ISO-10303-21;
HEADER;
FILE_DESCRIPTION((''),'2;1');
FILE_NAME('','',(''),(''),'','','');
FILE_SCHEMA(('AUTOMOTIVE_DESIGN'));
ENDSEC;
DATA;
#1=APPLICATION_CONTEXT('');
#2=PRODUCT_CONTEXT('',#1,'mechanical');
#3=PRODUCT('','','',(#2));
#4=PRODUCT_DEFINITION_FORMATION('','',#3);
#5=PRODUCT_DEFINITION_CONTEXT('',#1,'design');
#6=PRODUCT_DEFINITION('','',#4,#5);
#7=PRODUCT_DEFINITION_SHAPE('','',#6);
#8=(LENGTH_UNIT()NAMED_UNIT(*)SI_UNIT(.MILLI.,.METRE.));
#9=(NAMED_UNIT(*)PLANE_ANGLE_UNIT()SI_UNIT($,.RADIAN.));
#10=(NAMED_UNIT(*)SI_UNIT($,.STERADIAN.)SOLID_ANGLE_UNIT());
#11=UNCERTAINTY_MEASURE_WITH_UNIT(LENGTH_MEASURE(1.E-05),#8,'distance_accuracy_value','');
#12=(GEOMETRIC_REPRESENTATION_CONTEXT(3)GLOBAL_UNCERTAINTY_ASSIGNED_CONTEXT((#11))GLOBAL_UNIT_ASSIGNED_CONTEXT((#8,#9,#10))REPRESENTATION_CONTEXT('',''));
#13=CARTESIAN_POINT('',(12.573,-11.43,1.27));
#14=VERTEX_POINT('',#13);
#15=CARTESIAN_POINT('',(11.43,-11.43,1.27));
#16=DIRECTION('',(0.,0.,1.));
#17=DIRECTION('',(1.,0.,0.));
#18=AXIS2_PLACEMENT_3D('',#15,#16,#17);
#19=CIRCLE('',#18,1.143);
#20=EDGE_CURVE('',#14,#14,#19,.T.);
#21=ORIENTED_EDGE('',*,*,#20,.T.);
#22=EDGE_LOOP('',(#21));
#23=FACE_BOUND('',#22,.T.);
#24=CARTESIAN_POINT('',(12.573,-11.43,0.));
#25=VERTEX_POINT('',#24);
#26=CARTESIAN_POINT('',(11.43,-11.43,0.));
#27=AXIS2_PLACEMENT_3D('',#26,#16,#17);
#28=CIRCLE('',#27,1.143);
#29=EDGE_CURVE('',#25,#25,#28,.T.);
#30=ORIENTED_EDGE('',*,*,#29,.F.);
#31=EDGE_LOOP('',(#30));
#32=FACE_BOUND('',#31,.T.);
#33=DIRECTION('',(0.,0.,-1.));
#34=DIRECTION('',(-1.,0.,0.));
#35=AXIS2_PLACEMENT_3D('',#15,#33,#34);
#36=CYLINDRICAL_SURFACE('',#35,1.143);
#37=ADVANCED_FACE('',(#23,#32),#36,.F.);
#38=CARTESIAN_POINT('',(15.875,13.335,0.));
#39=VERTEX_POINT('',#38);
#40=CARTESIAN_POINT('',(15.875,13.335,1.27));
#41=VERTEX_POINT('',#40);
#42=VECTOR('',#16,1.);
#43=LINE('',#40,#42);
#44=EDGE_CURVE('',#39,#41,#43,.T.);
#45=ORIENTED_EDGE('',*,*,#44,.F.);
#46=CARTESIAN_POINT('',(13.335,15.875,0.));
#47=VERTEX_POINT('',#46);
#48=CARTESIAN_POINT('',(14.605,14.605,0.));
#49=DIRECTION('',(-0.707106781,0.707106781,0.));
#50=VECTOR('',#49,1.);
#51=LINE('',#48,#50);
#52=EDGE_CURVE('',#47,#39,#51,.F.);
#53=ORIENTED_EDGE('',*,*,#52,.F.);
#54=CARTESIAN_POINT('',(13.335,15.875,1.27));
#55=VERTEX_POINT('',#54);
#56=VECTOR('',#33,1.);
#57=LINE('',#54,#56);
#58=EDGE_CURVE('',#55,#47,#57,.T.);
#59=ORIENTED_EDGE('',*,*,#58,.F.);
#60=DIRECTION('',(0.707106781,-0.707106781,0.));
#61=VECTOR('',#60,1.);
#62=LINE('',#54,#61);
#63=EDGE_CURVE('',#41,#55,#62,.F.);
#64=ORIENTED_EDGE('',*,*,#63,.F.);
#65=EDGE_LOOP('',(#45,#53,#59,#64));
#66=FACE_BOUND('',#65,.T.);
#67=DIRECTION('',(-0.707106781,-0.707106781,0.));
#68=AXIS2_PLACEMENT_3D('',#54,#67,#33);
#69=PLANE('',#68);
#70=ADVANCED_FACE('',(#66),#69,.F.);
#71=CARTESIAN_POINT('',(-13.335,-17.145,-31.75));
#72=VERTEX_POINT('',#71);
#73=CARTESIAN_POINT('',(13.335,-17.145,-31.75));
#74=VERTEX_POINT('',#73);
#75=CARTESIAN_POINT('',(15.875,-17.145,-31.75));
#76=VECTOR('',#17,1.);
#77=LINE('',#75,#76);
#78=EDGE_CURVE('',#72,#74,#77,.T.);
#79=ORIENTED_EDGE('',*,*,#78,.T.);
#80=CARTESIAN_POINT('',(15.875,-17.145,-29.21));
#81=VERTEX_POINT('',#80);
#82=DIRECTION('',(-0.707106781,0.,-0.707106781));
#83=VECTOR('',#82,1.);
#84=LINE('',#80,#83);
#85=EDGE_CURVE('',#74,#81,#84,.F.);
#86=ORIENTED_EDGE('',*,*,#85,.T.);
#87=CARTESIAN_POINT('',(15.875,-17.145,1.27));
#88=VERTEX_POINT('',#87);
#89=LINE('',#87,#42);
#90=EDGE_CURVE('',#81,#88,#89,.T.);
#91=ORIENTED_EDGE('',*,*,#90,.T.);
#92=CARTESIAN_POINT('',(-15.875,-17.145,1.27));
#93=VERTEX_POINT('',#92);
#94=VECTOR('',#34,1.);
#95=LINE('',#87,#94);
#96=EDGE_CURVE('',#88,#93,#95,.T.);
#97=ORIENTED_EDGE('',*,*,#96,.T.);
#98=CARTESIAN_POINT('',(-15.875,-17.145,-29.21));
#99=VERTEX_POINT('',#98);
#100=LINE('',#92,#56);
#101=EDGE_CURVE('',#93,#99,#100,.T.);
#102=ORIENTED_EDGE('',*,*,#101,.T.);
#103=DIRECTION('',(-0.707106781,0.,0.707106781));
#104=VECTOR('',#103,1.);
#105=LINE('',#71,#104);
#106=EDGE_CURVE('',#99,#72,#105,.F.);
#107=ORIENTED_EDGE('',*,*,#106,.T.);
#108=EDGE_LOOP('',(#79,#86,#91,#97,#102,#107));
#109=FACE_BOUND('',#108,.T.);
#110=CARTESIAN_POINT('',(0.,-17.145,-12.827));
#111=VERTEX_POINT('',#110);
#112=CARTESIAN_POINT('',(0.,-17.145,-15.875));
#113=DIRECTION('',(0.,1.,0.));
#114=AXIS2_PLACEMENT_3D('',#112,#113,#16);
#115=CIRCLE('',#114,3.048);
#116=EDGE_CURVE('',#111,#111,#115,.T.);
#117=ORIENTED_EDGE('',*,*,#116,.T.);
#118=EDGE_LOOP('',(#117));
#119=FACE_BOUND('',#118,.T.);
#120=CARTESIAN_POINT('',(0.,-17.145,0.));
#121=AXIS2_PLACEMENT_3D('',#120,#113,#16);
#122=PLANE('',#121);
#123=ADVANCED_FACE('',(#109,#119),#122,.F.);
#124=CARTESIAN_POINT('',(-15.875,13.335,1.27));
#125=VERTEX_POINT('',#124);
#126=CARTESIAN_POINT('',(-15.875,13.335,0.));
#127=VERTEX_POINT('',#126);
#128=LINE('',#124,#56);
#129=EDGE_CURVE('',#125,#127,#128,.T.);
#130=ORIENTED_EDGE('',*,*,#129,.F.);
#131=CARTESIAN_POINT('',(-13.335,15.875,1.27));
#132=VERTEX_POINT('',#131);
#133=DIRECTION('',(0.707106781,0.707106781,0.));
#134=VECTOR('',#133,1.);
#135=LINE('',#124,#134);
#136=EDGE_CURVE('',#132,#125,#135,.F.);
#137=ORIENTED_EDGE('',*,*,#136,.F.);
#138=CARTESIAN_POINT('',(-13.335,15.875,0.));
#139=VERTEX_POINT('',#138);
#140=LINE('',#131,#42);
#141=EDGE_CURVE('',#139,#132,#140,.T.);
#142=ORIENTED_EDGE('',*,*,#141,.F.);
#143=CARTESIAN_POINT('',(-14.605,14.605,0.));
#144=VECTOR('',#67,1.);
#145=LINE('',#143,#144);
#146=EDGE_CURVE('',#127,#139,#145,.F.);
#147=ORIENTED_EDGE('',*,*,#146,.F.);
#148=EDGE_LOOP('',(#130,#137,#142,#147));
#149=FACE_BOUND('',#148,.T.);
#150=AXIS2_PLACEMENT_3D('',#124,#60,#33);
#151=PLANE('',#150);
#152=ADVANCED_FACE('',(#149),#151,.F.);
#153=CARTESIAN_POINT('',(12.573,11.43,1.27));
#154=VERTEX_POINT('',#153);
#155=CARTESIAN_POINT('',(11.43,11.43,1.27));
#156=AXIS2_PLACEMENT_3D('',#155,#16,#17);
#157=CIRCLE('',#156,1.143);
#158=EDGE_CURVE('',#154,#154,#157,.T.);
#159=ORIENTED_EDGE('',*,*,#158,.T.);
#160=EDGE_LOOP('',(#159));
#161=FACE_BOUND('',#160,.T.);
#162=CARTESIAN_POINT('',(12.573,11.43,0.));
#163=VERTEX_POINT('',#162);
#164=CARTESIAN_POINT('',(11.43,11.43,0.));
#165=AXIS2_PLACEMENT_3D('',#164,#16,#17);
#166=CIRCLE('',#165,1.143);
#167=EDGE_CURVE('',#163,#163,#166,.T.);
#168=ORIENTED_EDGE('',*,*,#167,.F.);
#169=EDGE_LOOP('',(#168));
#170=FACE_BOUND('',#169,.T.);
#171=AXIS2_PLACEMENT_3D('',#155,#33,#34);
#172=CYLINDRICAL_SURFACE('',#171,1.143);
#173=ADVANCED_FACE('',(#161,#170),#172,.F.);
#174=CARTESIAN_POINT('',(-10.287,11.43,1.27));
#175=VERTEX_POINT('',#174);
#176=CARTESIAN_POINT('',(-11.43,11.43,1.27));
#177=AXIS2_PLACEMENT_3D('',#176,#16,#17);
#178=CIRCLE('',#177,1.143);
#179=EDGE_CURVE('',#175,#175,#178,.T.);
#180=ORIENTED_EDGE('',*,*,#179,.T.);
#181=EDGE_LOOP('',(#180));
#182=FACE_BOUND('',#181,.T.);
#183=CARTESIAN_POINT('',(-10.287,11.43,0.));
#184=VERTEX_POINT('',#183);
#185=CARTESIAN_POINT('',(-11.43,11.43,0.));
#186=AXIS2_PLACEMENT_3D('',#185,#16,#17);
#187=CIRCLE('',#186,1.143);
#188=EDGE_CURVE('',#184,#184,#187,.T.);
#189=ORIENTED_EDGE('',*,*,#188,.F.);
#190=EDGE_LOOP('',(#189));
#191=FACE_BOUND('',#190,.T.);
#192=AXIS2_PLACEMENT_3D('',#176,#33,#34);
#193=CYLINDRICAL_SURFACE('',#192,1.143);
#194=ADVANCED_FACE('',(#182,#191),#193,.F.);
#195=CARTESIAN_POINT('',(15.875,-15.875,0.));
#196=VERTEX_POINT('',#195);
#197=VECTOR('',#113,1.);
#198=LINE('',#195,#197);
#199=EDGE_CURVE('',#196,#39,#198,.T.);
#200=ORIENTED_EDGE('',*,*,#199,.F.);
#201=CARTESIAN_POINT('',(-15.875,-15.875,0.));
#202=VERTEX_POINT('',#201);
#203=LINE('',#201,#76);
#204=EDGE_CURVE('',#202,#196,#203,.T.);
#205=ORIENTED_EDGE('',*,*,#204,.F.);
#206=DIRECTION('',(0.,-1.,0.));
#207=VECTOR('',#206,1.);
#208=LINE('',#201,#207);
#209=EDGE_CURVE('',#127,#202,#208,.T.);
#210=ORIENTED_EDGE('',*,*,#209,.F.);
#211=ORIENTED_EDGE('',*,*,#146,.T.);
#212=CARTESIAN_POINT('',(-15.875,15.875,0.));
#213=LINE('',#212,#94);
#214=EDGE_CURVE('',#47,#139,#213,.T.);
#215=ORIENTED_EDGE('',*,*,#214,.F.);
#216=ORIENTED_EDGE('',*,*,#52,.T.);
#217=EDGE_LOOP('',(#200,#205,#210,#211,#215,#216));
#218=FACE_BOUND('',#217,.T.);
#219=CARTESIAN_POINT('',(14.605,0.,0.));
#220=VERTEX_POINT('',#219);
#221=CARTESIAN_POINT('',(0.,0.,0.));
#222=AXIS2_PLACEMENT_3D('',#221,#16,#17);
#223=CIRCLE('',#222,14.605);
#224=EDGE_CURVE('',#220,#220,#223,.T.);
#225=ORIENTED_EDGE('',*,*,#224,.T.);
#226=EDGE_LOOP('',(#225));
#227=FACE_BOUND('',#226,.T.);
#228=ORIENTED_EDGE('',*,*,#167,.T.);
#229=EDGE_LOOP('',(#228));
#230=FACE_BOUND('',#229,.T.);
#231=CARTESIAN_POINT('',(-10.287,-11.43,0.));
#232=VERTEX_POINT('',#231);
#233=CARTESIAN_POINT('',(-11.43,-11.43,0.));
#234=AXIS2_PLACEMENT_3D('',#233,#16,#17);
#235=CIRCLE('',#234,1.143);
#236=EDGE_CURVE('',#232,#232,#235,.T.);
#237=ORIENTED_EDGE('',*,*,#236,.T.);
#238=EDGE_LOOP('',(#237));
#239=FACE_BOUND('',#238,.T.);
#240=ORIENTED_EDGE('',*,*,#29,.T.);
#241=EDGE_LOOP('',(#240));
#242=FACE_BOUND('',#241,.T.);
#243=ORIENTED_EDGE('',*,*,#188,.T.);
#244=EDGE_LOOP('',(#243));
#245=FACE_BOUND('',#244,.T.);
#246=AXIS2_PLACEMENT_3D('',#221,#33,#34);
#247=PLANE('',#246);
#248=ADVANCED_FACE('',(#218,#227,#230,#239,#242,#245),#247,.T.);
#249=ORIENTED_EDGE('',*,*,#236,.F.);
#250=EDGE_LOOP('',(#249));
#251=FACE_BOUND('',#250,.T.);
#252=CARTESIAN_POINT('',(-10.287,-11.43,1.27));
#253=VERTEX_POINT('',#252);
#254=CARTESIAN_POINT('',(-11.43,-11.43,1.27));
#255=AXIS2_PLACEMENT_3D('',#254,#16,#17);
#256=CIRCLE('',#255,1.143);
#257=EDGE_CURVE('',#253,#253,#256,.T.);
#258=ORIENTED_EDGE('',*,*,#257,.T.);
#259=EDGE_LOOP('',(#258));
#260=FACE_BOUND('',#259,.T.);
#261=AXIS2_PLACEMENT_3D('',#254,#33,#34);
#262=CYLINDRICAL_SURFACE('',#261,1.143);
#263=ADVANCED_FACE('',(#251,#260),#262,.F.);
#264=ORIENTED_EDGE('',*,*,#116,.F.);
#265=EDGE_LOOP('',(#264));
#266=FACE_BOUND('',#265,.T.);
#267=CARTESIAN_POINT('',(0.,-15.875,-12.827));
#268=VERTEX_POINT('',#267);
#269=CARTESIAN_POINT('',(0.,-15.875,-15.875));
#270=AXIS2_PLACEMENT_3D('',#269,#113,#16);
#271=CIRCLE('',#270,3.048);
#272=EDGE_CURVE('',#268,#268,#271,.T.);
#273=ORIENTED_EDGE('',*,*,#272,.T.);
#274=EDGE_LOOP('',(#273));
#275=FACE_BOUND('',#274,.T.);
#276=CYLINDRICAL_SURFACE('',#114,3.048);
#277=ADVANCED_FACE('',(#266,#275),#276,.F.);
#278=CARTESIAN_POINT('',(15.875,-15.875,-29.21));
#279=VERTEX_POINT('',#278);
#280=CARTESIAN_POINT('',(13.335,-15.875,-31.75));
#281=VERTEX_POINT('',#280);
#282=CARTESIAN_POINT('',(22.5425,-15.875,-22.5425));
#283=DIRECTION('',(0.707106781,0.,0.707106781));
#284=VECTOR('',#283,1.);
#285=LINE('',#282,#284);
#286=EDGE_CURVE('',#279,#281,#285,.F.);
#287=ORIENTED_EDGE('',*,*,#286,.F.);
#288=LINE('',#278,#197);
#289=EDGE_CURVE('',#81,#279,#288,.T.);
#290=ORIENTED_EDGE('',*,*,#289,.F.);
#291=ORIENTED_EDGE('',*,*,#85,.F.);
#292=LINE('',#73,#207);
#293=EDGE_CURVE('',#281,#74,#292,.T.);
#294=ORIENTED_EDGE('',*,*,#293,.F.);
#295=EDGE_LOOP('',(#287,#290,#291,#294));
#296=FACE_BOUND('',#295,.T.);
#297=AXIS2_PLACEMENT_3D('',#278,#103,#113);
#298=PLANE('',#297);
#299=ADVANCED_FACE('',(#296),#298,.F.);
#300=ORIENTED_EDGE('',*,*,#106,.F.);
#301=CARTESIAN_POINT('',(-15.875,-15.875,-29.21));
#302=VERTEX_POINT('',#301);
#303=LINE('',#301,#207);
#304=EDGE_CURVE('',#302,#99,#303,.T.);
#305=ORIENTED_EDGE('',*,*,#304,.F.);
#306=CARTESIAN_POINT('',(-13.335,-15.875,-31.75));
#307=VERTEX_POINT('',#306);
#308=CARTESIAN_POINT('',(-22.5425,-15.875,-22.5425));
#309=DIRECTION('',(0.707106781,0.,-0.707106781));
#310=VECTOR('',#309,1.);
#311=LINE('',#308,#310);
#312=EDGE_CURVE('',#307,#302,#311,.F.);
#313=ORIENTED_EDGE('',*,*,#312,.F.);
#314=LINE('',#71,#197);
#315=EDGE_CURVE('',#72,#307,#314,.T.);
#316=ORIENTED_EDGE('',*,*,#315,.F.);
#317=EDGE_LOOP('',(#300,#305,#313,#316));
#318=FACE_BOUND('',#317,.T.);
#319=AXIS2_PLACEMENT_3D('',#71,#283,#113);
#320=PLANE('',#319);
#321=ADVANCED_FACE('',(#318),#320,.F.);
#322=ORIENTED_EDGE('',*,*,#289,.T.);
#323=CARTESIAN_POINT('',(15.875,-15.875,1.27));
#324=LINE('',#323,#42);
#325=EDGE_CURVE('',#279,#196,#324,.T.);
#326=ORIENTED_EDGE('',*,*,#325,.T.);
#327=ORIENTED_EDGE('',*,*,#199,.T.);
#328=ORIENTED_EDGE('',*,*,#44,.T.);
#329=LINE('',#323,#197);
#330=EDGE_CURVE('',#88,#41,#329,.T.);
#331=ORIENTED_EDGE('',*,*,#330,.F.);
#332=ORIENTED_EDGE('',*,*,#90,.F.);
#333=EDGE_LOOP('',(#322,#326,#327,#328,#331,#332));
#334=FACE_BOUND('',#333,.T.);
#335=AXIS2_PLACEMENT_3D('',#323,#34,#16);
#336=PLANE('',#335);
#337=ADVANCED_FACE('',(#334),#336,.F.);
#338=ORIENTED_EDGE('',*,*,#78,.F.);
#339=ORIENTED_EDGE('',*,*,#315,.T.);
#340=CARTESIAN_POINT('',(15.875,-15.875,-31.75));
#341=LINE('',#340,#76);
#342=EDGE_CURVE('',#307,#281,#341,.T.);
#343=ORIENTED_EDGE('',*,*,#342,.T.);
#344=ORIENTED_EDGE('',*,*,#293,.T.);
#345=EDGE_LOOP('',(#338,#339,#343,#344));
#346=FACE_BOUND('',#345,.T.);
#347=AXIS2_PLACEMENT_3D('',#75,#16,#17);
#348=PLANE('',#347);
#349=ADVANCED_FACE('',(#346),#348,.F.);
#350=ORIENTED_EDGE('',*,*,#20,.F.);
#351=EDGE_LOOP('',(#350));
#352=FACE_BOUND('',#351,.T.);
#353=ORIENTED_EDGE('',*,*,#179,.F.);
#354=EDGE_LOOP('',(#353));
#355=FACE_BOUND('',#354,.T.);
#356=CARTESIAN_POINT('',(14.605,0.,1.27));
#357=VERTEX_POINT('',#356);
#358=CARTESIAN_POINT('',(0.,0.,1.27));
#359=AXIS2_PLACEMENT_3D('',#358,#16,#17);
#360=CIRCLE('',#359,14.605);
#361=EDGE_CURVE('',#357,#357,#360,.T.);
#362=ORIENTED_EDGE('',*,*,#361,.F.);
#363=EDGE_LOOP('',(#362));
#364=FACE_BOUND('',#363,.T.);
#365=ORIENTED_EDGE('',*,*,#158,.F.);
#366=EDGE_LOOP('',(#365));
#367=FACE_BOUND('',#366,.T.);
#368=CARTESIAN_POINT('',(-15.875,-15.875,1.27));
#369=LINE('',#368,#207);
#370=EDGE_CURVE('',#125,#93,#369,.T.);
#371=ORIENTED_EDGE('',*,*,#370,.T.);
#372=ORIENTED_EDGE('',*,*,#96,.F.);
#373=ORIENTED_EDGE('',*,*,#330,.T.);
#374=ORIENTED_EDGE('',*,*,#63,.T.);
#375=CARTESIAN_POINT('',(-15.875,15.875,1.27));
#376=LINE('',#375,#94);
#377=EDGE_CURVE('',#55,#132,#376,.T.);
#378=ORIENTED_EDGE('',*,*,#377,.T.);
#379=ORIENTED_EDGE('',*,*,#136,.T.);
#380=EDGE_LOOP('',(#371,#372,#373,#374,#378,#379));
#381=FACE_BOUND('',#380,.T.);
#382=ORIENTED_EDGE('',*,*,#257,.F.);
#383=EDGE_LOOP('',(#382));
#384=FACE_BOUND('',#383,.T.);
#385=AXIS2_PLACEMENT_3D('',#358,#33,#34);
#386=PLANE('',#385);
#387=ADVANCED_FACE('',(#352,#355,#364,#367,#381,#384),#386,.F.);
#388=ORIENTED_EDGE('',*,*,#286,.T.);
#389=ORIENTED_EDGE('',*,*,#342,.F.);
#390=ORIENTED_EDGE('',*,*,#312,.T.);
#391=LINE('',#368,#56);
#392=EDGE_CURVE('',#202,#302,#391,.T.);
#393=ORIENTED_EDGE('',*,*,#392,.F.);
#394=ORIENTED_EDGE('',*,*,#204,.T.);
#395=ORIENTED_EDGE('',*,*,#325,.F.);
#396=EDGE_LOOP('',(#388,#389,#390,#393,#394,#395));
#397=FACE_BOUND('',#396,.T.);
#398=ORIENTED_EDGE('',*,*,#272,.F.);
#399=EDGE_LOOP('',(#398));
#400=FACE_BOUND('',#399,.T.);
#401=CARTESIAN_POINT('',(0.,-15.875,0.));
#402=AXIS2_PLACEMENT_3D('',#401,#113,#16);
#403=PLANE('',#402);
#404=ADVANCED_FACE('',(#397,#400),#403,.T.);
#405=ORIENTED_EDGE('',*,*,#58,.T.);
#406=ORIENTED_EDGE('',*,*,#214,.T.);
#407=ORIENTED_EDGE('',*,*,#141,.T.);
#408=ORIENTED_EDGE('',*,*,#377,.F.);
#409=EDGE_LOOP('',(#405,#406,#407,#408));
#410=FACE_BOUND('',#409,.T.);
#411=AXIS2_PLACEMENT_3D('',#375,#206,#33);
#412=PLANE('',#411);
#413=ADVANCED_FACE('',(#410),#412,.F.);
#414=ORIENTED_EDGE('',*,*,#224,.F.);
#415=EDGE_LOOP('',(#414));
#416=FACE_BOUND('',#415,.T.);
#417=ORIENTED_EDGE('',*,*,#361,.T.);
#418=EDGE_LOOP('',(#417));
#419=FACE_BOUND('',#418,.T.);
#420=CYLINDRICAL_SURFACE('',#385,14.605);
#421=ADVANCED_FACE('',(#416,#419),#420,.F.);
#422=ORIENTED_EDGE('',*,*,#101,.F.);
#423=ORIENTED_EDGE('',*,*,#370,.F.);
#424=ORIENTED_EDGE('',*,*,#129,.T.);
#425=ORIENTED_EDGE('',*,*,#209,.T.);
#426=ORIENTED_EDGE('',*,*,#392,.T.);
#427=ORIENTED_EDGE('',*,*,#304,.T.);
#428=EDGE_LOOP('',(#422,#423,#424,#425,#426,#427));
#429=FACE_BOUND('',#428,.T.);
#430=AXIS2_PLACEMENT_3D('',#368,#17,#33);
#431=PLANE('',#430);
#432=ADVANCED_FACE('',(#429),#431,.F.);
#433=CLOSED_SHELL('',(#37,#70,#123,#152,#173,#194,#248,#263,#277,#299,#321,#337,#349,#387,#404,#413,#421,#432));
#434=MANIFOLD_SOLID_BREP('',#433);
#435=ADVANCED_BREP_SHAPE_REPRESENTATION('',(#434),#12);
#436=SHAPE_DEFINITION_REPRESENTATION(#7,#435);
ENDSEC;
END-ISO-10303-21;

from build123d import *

# Parameters (mm, degrees)
SKETCH1_W           = 31.75
SKETCH1_H           = 31.75
SKETCH1_R           = 1.143
SKETCH1_R_2         = 14.605
BOSS_EXTRUDE1_DEPTH = 1.27
CHAMFER1_SIZE       = 2.54
SKETCH2_W           = 31.75
SKETCH2_H           = 33.02
BOSS_EXTRUDE2_DEPTH = 1.27
SKETCH3_R           = 3.048
CUT_EXTRUDE1_DEPTH  = 1.27
CHAMFER2_SIZE       = 2.54


with BuildPart() as part:
    # Sketch1 → Boss-Extrude1 (new body)
    with BuildSketch(Plane.XY):
        Rectangle(SKETCH1_W, SKETCH1_H)
        with Locations((-11.43, 11.43)):
            Circle(SKETCH1_R, mode=Mode.SUBTRACT)
        with Locations((11.43, 11.43)):
            Circle(SKETCH1_R, mode=Mode.SUBTRACT)
        with Locations((-11.43, -11.43)):
            Circle(SKETCH1_R, mode=Mode.SUBTRACT)
        with Locations((11.43, -11.43)):
            Circle(SKETCH1_R, mode=Mode.SUBTRACT)
        Circle(SKETCH1_R_2, mode=Mode.SUBTRACT)
    extrude(amount=BOSS_EXTRUDE1_DEPTH)

    # Chamfer1
    chamfer1_edges = [part.edges().sort_by_distance(p)[0] for p in [
        (-15.875, 15.875, 0.635),
        (15.875, 15.875, 0.635),
    ]]
    chamfer(chamfer1_edges, length=CHAMFER1_SIZE)

    # Sketch2 → Boss-Extrude2 (add)
    with BuildSketch(Plane.XZ.offset(15.875)):
        with Locations((0, -15.24)):
            Rectangle(SKETCH2_W, SKETCH2_H)
    extrude(amount=BOSS_EXTRUDE2_DEPTH)

    # Sketch3 → Cut-Extrude1 (cut)
    with BuildSketch(Plane(origin=(0, -15.875, 0), x_dir=(1, 0, 0), z_dir=(0, 1, 0))):
        with Locations(Location((0, 15.875, 0), (0, 0, 270))):
            Circle(SKETCH3_R)
    extrude(amount=-CUT_EXTRUDE1_DEPTH, mode=Mode.SUBTRACT)

    # Chamfer2
    chamfer2_edges = [part.edges().sort_by_distance(p)[0] for p in [
        (15.875, -16.51, -31.75),
        (-15.875, -16.51, -31.75),
    ]]
    chamfer(chamfer2_edges, length=CHAMFER2_SIZE)


solid = part.part
